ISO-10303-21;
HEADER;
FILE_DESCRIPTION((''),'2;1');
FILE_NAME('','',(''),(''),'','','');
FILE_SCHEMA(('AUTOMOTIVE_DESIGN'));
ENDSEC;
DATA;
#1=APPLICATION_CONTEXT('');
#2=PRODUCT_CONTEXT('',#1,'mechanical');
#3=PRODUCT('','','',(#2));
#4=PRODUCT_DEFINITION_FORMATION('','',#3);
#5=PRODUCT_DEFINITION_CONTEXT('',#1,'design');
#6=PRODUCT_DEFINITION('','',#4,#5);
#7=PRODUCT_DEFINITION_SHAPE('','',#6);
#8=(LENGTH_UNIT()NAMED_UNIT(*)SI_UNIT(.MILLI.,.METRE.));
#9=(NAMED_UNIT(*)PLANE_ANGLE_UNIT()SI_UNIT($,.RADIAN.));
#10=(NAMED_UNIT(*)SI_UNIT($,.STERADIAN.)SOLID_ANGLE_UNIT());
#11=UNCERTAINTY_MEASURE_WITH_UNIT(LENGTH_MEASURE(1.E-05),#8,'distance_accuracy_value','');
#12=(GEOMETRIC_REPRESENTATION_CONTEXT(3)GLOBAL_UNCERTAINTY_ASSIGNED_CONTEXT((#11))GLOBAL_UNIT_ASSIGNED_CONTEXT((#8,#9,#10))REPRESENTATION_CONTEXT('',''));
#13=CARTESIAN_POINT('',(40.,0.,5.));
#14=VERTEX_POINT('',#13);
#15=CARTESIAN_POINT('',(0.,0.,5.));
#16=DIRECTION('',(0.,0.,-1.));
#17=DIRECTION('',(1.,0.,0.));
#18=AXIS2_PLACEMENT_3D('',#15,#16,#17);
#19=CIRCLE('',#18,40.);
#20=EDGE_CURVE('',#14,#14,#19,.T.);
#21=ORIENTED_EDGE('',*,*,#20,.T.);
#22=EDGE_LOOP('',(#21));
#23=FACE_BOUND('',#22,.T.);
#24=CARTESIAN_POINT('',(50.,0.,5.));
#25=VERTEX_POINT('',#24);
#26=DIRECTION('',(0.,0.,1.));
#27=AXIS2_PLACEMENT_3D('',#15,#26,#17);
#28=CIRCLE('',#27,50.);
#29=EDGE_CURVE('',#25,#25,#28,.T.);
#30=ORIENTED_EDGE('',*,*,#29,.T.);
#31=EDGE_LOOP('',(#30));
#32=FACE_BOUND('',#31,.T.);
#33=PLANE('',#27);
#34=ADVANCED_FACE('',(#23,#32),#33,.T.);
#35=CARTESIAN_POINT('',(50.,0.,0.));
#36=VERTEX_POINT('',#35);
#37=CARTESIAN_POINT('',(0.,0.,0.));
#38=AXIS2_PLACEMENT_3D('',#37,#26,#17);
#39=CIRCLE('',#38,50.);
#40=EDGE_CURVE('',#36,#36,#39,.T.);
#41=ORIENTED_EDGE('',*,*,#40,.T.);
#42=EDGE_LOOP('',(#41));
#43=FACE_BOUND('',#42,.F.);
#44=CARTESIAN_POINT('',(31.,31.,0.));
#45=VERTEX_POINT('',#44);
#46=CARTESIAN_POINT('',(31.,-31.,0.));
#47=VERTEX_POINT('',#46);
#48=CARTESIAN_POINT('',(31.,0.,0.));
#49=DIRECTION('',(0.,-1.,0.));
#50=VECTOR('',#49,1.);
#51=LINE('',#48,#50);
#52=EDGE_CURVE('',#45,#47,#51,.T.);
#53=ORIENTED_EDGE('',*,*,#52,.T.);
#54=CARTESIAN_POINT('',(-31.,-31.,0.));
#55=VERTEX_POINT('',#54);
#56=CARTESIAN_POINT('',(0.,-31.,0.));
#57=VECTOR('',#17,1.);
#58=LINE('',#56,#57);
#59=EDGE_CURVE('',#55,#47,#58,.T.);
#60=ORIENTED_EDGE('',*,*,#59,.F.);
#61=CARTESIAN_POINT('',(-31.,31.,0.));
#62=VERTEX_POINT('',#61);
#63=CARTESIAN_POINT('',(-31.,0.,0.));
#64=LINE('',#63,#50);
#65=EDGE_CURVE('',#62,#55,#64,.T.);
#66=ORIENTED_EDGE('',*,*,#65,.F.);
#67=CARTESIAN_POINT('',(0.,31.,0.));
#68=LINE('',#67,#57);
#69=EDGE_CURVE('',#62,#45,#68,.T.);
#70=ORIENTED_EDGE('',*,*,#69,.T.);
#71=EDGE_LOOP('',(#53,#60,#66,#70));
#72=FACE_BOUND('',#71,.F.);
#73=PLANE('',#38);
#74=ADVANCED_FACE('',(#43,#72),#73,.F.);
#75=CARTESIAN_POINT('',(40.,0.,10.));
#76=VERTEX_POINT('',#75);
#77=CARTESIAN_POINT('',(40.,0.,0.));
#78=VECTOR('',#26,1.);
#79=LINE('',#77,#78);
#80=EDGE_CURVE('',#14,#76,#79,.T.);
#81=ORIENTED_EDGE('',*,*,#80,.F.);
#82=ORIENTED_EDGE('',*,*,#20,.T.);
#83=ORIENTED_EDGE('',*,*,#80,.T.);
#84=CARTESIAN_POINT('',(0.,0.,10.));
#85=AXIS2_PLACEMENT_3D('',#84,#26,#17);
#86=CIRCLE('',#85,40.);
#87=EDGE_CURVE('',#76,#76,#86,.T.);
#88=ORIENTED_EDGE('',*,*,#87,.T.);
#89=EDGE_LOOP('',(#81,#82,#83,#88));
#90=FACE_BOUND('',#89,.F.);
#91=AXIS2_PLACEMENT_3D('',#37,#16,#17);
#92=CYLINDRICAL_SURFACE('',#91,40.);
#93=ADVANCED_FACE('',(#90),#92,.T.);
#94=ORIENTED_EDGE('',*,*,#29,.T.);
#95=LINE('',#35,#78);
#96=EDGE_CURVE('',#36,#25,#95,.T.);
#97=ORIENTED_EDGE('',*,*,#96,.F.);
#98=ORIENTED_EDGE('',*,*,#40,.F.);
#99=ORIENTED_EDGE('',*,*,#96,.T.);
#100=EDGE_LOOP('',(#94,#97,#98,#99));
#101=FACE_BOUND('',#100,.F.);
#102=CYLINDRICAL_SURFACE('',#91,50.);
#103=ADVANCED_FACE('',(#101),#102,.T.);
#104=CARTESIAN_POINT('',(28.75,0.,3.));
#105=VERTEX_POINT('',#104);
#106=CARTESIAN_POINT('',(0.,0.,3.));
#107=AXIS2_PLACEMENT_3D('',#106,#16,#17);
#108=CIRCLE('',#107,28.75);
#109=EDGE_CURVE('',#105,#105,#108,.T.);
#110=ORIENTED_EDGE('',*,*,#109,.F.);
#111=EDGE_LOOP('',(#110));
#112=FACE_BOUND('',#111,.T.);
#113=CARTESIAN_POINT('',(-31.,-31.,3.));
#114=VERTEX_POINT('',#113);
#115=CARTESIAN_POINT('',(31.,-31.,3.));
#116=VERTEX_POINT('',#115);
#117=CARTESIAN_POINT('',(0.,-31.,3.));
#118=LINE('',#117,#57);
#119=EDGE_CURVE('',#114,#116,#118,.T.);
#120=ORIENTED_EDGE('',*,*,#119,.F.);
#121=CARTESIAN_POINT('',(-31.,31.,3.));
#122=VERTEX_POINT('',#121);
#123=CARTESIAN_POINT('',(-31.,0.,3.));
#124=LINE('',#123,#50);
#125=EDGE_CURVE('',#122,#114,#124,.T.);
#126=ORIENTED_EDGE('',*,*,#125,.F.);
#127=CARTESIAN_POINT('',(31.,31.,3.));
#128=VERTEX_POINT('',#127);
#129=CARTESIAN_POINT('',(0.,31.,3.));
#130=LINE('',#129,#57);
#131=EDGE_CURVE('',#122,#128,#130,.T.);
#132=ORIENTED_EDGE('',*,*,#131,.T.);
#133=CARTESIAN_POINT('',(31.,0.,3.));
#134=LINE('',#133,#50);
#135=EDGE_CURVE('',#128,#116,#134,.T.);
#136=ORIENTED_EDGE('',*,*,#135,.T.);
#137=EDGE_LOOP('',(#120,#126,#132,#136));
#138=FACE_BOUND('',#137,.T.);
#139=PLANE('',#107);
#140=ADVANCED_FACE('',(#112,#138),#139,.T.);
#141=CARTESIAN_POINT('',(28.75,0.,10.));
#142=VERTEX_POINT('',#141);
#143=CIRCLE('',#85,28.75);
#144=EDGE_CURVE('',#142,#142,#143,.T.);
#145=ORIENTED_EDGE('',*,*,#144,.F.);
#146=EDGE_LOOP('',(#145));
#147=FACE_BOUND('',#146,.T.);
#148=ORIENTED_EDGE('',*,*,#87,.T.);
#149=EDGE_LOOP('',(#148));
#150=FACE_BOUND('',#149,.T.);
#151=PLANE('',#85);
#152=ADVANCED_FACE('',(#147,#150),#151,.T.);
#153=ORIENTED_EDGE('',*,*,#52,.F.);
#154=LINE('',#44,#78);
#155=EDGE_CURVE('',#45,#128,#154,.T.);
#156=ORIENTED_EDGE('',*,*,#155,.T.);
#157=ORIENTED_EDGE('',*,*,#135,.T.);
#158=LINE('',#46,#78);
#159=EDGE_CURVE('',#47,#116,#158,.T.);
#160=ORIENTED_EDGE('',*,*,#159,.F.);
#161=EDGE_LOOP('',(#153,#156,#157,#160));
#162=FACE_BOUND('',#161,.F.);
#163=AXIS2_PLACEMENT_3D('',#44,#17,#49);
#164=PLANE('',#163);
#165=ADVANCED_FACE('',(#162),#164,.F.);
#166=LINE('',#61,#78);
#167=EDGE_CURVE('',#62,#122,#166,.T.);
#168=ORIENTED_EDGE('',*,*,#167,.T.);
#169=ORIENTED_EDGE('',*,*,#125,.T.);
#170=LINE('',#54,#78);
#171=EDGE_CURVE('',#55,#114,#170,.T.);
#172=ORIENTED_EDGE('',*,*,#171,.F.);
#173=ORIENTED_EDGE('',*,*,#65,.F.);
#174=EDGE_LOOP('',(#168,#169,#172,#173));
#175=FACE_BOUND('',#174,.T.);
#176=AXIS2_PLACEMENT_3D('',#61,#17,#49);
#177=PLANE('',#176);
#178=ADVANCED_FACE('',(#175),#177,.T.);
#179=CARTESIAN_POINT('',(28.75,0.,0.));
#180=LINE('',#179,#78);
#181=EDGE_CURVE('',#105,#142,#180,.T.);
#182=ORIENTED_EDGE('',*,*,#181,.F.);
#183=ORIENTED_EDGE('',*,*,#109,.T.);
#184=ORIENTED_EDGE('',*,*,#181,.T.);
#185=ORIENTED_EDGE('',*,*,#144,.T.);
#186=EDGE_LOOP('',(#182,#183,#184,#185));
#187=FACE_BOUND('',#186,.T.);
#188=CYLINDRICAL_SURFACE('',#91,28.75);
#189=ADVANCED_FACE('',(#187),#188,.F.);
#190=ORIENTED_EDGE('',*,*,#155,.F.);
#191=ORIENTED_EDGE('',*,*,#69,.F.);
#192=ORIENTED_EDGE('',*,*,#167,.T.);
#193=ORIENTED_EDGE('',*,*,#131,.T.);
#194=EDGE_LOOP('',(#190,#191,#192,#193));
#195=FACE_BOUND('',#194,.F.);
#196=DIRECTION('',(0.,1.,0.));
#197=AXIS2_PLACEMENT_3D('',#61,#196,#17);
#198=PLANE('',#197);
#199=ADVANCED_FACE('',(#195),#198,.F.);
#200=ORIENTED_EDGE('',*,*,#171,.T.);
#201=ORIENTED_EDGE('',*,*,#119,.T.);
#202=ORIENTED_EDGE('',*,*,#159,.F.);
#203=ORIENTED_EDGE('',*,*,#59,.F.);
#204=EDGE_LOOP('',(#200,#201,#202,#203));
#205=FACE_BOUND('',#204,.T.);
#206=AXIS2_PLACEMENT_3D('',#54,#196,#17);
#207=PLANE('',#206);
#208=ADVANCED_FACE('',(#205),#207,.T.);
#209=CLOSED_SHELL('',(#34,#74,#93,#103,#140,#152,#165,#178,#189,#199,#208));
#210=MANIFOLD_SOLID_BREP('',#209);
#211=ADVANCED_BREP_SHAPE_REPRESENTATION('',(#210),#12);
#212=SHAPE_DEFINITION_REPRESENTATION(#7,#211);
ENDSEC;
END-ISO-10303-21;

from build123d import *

# Parameters (mm, degrees)
F0_R     = 50
F0_R_2   = 40
F0_R_3   = 28.75
F1_DEPTH = 5
F2_DEPTH = 10
F3_W     = 62
F3_H     = 62
F3_R     = 28.75
F4_DEPTH = 3


with BuildPart() as f1:
    # F0 (on Top) → F1 (new body)
    with BuildSketch(Plane.XY):
        Circle(F0_R)
        Circle(F0_R_2, mode=Mode.SUBTRACT)
        Circle(F0_R_2)
        Circle(F0_R_3, mode=Mode.SUBTRACT)
    extrude(amount=F1_DEPTH)

    # F0 (on Top) → F2 (join)
    with BuildSketch(Plane.XY):
        Circle(F0_R_2)
        Circle(F0_R_3, mode=Mode.SUBTRACT)
    extrude(amount=F2_DEPTH)

    # F3 (on face) → F4 (cut)
    with BuildSketch(Plane(origin=(0, 0, 0), x_dir=(1, 0, 0), z_dir=(0, 0, -1))):
        Rectangle(F3_W, F3_H)
        Circle(F3_R, mode=Mode.SUBTRACT)
    extrude(amount=-F4_DEPTH, mode=Mode.SUBTRACT)


solid = f1.part
